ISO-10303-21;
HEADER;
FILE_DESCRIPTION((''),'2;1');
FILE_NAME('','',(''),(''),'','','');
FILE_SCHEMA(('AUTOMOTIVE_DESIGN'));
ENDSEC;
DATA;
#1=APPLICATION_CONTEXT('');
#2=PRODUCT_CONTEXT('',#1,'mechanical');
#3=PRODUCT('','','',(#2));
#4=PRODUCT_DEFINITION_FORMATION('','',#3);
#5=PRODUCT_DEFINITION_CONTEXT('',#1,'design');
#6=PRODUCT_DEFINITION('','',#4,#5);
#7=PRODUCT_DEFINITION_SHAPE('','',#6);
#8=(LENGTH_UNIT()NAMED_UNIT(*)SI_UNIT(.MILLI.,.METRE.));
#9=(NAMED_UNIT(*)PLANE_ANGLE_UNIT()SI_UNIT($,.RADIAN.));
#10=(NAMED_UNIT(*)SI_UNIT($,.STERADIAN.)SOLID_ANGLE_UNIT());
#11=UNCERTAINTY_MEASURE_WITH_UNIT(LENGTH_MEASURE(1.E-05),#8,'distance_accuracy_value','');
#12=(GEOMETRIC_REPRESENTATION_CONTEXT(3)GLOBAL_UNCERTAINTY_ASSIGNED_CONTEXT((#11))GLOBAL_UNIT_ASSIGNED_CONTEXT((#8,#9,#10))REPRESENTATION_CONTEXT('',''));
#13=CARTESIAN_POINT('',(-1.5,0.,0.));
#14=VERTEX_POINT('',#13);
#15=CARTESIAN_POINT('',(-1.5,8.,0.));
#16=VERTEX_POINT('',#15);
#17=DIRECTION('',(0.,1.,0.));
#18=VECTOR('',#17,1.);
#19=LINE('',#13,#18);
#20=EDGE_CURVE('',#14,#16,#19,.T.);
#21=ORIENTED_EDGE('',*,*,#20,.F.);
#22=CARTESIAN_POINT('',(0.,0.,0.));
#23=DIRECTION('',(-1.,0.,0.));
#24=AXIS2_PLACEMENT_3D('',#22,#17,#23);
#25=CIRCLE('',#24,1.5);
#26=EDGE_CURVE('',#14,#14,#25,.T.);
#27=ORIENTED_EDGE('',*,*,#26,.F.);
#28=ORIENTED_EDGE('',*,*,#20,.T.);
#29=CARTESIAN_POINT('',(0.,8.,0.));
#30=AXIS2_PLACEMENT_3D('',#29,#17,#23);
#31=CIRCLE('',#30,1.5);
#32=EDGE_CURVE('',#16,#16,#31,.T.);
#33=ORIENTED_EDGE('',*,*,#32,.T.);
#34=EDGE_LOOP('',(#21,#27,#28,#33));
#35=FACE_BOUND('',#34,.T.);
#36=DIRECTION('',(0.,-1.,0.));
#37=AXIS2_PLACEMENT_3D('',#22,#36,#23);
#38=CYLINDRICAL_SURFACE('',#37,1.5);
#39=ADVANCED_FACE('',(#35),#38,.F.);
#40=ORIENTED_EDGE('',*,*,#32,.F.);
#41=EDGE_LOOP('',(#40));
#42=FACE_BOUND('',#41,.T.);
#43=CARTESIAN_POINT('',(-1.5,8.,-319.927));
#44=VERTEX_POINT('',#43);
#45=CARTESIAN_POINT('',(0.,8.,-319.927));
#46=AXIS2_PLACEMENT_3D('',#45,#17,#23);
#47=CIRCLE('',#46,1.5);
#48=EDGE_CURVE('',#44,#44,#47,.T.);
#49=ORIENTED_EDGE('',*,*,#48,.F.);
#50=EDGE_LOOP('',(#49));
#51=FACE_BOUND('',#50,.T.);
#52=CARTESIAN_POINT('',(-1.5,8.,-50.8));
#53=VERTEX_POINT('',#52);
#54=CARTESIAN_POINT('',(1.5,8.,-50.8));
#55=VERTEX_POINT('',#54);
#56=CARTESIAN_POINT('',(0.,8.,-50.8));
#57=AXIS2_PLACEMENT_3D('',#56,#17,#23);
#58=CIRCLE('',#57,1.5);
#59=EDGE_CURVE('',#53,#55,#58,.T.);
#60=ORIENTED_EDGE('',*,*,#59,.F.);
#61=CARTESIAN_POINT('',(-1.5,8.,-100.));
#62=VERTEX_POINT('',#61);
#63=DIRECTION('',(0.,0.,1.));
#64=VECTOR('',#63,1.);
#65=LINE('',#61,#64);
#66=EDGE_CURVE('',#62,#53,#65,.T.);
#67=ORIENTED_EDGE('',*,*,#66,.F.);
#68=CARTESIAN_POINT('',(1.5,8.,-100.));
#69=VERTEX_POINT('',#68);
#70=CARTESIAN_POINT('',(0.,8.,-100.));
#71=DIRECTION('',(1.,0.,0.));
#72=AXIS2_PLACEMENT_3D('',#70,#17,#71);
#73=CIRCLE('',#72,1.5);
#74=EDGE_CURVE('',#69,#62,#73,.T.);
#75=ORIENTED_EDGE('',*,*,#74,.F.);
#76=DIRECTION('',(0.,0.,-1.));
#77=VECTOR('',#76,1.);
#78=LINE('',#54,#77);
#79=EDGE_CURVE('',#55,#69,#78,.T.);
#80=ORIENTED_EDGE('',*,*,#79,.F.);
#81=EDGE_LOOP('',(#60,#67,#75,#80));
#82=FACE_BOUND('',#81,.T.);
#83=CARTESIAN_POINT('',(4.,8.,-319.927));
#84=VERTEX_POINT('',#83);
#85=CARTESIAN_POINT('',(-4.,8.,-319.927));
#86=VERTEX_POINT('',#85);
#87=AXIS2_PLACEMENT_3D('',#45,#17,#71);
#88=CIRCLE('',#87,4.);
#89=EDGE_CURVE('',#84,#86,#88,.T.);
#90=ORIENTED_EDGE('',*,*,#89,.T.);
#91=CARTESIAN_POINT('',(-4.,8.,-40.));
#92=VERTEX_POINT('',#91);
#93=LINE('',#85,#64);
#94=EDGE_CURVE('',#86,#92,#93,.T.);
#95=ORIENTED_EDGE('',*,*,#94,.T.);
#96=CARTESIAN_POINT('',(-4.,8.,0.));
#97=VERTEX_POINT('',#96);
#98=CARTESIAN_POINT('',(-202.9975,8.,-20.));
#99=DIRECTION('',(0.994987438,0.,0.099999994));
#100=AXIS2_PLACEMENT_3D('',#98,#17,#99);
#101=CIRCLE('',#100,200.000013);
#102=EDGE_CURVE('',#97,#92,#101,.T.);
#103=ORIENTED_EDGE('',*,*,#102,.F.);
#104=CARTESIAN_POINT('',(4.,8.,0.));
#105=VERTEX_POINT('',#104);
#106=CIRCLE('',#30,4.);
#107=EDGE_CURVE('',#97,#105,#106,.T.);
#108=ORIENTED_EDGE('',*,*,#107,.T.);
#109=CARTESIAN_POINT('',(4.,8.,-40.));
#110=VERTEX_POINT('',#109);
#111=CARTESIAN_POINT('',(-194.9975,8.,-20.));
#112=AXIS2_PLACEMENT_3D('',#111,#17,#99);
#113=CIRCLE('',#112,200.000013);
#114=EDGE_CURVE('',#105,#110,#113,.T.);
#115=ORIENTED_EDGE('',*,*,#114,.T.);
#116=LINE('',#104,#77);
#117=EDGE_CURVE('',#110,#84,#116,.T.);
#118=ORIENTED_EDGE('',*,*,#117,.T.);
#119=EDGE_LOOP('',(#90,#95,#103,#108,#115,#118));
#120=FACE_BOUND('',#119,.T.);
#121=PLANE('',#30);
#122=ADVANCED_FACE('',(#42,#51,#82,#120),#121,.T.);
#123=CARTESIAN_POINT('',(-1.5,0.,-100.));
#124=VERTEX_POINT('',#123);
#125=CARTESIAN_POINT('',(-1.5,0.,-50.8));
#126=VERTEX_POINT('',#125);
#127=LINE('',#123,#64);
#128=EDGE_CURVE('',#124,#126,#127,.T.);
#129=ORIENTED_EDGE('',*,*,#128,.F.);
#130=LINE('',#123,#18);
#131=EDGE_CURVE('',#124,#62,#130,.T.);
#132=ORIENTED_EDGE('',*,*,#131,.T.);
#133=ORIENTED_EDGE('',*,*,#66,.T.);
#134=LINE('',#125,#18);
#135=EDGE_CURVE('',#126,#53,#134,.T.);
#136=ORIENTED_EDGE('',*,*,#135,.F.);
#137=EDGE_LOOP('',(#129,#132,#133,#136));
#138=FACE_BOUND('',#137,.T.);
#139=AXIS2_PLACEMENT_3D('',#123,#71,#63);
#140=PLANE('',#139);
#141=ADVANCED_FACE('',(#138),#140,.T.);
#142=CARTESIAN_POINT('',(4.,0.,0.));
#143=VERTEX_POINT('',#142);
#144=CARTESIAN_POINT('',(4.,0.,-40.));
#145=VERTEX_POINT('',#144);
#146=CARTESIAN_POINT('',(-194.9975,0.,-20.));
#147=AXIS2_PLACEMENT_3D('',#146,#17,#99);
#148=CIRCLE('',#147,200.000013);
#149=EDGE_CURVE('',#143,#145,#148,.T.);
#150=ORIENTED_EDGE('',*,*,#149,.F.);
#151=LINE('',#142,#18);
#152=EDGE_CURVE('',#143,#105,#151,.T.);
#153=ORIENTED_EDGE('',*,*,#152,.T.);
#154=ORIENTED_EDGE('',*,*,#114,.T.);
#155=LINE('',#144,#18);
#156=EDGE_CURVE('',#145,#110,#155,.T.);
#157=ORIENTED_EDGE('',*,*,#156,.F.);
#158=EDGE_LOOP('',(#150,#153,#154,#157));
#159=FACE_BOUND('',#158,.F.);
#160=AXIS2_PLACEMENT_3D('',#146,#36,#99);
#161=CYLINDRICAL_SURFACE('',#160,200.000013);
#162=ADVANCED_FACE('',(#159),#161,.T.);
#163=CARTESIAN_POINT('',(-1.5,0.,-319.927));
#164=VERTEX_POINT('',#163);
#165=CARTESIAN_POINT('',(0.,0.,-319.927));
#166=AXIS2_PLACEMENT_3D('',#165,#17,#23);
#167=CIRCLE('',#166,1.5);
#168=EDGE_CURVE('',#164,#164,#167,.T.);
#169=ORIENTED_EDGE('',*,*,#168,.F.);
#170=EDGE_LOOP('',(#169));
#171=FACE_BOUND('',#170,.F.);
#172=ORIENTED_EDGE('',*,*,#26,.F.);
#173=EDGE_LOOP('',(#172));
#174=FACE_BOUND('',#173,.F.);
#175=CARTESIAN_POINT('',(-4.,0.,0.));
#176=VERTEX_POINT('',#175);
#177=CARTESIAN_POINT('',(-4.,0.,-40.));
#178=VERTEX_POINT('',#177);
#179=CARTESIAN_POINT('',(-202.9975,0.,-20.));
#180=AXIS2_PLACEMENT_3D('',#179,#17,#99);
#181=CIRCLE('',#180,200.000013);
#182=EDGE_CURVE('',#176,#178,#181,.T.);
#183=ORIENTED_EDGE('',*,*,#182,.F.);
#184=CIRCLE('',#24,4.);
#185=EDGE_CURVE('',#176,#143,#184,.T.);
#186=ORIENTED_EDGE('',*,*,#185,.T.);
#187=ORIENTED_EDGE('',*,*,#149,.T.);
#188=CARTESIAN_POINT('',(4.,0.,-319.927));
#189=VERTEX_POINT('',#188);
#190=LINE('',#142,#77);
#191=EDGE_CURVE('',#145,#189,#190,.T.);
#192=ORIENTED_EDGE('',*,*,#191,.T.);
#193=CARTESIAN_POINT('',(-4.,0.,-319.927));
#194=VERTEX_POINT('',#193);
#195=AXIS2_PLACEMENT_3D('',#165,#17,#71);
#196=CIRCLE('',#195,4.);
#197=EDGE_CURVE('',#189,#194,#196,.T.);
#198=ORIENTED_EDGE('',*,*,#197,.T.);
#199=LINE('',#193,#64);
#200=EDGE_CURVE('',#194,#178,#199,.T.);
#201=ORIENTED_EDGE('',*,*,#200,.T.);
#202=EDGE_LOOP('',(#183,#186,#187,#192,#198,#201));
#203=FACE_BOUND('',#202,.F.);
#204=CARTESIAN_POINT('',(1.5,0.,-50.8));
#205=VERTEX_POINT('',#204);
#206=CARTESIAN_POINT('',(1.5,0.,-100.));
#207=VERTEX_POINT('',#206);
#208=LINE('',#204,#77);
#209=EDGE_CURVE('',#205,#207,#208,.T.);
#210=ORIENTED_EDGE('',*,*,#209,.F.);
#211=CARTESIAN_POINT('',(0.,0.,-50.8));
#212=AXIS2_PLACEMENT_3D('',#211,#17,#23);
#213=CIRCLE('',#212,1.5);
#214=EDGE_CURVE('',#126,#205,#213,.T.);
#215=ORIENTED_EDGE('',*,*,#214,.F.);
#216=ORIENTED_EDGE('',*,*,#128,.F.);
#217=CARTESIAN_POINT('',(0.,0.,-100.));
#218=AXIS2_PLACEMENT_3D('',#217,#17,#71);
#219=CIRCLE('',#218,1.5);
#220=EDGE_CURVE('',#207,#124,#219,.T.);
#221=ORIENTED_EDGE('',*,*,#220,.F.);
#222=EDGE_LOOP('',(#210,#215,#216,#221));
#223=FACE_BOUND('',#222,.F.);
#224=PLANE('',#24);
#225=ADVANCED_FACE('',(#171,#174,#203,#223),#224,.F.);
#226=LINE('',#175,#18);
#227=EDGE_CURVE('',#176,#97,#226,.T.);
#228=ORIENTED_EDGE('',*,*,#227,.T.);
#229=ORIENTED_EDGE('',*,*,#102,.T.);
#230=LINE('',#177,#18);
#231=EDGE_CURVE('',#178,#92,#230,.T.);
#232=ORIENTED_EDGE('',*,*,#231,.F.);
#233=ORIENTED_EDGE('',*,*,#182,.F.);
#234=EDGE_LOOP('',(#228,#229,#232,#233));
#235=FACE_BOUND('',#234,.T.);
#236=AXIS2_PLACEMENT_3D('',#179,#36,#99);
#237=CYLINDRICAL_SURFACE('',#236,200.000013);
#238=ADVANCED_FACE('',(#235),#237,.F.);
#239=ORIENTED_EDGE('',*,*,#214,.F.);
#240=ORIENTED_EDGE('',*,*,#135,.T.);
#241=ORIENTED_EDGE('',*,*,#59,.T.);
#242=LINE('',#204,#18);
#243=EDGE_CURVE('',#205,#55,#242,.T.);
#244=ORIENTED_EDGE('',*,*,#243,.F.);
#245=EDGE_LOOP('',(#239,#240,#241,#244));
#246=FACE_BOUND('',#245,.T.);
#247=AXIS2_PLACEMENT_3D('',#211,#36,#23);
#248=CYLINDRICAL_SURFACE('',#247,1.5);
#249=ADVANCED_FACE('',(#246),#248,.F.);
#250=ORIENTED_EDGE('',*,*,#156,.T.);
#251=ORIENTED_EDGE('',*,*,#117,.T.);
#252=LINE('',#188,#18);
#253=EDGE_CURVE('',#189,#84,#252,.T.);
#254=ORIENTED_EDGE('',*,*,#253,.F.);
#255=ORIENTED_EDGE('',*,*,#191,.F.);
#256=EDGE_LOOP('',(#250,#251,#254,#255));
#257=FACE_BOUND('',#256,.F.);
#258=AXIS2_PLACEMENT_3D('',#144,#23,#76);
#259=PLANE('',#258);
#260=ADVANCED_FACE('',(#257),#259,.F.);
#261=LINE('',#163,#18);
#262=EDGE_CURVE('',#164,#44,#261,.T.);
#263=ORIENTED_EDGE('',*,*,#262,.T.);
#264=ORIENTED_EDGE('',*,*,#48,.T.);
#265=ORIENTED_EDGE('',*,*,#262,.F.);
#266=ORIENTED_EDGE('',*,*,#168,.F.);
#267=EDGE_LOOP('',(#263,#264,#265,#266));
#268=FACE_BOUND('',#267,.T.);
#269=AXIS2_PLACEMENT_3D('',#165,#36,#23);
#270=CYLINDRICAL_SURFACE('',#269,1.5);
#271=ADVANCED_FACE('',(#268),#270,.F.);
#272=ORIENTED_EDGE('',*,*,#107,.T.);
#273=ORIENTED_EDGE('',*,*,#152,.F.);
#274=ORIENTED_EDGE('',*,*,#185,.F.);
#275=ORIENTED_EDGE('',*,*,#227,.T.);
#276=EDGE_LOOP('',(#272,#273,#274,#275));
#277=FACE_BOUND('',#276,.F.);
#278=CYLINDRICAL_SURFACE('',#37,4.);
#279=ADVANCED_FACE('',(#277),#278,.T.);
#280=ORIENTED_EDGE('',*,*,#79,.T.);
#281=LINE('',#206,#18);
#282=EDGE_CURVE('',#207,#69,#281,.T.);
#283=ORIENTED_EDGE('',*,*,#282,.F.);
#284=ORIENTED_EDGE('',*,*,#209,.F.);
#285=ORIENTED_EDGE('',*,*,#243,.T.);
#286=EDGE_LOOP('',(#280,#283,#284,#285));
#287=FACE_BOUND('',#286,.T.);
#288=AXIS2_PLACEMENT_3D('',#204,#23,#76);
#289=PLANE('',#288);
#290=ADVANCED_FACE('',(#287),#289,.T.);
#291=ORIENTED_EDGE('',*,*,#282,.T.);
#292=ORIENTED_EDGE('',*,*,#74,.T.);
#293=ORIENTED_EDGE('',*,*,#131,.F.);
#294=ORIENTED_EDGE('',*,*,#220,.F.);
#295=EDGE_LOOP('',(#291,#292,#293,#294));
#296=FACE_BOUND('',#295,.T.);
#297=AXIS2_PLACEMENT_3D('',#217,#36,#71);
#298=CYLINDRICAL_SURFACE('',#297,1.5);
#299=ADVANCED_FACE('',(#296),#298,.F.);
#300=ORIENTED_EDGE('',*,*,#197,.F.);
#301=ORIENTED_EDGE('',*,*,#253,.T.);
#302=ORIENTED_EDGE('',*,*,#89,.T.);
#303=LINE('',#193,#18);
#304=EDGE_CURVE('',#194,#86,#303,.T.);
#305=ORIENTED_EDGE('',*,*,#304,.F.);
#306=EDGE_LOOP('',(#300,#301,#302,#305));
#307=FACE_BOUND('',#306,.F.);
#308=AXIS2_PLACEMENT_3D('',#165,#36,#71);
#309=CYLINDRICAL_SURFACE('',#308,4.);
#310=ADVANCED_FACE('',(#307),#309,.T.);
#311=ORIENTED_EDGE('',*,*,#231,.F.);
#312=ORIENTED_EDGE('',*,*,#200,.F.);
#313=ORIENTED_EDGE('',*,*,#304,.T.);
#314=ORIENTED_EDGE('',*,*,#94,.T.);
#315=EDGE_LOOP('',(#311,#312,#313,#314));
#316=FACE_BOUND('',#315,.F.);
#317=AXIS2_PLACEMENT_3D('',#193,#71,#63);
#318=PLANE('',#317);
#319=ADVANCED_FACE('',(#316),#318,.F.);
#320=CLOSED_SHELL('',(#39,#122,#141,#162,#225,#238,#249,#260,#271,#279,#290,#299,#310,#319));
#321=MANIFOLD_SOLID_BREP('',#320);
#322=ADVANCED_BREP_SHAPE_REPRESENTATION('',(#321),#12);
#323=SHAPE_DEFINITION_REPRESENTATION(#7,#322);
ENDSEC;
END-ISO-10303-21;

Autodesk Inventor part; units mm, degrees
ref_plane "XZ Plane" through (0, 0, 0) normal (0, 1, 0) x (-1, 0, 0)
ref_plane "XY Plane" through (0, 0, 0) normal (0, 0, 1) x (1, 0, 0)
sketch "Sketch1" plane through (0, 0, 0) normal (0, 1, 0) x (-1, 0, 0)
  line L0 (0, 0) -> (0, -319.927) construction
  line L1 (-4, 0) -> (-4, -319.927)
  line L2 (4, -319.927) -> (4, 0)
  arc A0 (4, 0) -> (-4, 0) centre (0, 0) ccw
  arc A1 (-4, -319.927) -> (4, -319.927) centre (0, -319.927) ccw
  circle A2 centre (0, 0) radius 1.5
  circle A3 centre (0, -319.927) radius 1.5
  line L3 (0, -50.8) -> (0, -100) construction
  line L4 (-1.5, -50.8) -> (-1.5, -100)
  line L5 (1.5, -100) -> (1.5, -50.8)
  arc A4 (1.5, -50.8) -> (-1.5, -50.8) centre (0, -50.8) ccw
  arc A5 (-1.5, -100) -> (1.5, -100) centre (0, -100) ccw
  arc A6 (4, 0) -> (4, -40) centre (202.9975, -20) ccw
  arc A7 (-4, 0) -> (-4, -40) centre (194.9975, -20) ccw
  point P0 (0, -159.9635)
  point P1 (0, -75.4)
  dimension "d0" = 319.927
  dimension "d1" = 8
  dimension "d2" = 3
  dimension "d3" = 3
  dimension "d12" = 3
  dimension "d13" = 50.8
  dimension "d14" = 100
  dimension "d15" = 40
  dimension "d16" = 200
  dimension "d17" = 200
extrude "Extrusion1" add sketch "Sketch1" along normal blind 8 contours A0 A6 L2 A1 L1 | L1 A7
sketch "Sketch2" plane through (0, 0, 0) normal (0, -1, 0) x (1, 0, 0)
  arc A0 (4, -40) -> (4, 0) centre (-194.9975, -20) ccw projected
  arc A1 (4, 0) -> (-4, 0) centre (0, 0) ccw projected
  arc A2 (-4, -40) -> (-4, 0) centre (-202.9975, -20) ccw projected
  line L0 (-4, -319.927) -> (-4, -40) projected
  arc A3 (-4, -319.927) -> (4, -319.927) centre (0, -319.927) ccw projected
  line L1 (4, -40) -> (4, -319.927) projected
  circle A4 centre (0, 0) radius 1.5 projected
  circle A5 centre (0, -319.927) radius 1.5 projected
  arc A6 (1.5, -50.8) -> (-1.5, -50.8) centre (0, -50.8) ccw projected
  line L2 (1.5, -100) -> (1.5, -50.8) projected
  arc A7 (-1.5, -100) -> (1.5, -100) centre (0, -100) ccw projected
  line L3 (-1.5, -50.8) -> (-1.5, -100) projected
sketch "Sketch3" plane through (0, 8, 0) normal (0, 1, 0) x (1, 0, 0)
  line L0 (-21.634, 180.7321) -> (39.8396, 180.7321)
  line L1 (39.8396, 180.7321) -> (39.8396, -20.7362)
  line L2 (39.8396, -20.7362) -> (-21.634, -20.7362)
  line L3 (-21.634, -20.7362) -> (-21.634, 180.7321)
  line L4 (-50.5628, 342.9399) -> (62.0528, 342.9399)
  line L5 (62.0528, 342.9399) -> (62.0528, -55.3474)
  line L6 (62.0528, -55.3474) -> (-50.5628, -55.3474)
  line L7 (-50.5628, -55.3474) -> (-50.5628, 342.9399)
  point P0 (0, 0)
